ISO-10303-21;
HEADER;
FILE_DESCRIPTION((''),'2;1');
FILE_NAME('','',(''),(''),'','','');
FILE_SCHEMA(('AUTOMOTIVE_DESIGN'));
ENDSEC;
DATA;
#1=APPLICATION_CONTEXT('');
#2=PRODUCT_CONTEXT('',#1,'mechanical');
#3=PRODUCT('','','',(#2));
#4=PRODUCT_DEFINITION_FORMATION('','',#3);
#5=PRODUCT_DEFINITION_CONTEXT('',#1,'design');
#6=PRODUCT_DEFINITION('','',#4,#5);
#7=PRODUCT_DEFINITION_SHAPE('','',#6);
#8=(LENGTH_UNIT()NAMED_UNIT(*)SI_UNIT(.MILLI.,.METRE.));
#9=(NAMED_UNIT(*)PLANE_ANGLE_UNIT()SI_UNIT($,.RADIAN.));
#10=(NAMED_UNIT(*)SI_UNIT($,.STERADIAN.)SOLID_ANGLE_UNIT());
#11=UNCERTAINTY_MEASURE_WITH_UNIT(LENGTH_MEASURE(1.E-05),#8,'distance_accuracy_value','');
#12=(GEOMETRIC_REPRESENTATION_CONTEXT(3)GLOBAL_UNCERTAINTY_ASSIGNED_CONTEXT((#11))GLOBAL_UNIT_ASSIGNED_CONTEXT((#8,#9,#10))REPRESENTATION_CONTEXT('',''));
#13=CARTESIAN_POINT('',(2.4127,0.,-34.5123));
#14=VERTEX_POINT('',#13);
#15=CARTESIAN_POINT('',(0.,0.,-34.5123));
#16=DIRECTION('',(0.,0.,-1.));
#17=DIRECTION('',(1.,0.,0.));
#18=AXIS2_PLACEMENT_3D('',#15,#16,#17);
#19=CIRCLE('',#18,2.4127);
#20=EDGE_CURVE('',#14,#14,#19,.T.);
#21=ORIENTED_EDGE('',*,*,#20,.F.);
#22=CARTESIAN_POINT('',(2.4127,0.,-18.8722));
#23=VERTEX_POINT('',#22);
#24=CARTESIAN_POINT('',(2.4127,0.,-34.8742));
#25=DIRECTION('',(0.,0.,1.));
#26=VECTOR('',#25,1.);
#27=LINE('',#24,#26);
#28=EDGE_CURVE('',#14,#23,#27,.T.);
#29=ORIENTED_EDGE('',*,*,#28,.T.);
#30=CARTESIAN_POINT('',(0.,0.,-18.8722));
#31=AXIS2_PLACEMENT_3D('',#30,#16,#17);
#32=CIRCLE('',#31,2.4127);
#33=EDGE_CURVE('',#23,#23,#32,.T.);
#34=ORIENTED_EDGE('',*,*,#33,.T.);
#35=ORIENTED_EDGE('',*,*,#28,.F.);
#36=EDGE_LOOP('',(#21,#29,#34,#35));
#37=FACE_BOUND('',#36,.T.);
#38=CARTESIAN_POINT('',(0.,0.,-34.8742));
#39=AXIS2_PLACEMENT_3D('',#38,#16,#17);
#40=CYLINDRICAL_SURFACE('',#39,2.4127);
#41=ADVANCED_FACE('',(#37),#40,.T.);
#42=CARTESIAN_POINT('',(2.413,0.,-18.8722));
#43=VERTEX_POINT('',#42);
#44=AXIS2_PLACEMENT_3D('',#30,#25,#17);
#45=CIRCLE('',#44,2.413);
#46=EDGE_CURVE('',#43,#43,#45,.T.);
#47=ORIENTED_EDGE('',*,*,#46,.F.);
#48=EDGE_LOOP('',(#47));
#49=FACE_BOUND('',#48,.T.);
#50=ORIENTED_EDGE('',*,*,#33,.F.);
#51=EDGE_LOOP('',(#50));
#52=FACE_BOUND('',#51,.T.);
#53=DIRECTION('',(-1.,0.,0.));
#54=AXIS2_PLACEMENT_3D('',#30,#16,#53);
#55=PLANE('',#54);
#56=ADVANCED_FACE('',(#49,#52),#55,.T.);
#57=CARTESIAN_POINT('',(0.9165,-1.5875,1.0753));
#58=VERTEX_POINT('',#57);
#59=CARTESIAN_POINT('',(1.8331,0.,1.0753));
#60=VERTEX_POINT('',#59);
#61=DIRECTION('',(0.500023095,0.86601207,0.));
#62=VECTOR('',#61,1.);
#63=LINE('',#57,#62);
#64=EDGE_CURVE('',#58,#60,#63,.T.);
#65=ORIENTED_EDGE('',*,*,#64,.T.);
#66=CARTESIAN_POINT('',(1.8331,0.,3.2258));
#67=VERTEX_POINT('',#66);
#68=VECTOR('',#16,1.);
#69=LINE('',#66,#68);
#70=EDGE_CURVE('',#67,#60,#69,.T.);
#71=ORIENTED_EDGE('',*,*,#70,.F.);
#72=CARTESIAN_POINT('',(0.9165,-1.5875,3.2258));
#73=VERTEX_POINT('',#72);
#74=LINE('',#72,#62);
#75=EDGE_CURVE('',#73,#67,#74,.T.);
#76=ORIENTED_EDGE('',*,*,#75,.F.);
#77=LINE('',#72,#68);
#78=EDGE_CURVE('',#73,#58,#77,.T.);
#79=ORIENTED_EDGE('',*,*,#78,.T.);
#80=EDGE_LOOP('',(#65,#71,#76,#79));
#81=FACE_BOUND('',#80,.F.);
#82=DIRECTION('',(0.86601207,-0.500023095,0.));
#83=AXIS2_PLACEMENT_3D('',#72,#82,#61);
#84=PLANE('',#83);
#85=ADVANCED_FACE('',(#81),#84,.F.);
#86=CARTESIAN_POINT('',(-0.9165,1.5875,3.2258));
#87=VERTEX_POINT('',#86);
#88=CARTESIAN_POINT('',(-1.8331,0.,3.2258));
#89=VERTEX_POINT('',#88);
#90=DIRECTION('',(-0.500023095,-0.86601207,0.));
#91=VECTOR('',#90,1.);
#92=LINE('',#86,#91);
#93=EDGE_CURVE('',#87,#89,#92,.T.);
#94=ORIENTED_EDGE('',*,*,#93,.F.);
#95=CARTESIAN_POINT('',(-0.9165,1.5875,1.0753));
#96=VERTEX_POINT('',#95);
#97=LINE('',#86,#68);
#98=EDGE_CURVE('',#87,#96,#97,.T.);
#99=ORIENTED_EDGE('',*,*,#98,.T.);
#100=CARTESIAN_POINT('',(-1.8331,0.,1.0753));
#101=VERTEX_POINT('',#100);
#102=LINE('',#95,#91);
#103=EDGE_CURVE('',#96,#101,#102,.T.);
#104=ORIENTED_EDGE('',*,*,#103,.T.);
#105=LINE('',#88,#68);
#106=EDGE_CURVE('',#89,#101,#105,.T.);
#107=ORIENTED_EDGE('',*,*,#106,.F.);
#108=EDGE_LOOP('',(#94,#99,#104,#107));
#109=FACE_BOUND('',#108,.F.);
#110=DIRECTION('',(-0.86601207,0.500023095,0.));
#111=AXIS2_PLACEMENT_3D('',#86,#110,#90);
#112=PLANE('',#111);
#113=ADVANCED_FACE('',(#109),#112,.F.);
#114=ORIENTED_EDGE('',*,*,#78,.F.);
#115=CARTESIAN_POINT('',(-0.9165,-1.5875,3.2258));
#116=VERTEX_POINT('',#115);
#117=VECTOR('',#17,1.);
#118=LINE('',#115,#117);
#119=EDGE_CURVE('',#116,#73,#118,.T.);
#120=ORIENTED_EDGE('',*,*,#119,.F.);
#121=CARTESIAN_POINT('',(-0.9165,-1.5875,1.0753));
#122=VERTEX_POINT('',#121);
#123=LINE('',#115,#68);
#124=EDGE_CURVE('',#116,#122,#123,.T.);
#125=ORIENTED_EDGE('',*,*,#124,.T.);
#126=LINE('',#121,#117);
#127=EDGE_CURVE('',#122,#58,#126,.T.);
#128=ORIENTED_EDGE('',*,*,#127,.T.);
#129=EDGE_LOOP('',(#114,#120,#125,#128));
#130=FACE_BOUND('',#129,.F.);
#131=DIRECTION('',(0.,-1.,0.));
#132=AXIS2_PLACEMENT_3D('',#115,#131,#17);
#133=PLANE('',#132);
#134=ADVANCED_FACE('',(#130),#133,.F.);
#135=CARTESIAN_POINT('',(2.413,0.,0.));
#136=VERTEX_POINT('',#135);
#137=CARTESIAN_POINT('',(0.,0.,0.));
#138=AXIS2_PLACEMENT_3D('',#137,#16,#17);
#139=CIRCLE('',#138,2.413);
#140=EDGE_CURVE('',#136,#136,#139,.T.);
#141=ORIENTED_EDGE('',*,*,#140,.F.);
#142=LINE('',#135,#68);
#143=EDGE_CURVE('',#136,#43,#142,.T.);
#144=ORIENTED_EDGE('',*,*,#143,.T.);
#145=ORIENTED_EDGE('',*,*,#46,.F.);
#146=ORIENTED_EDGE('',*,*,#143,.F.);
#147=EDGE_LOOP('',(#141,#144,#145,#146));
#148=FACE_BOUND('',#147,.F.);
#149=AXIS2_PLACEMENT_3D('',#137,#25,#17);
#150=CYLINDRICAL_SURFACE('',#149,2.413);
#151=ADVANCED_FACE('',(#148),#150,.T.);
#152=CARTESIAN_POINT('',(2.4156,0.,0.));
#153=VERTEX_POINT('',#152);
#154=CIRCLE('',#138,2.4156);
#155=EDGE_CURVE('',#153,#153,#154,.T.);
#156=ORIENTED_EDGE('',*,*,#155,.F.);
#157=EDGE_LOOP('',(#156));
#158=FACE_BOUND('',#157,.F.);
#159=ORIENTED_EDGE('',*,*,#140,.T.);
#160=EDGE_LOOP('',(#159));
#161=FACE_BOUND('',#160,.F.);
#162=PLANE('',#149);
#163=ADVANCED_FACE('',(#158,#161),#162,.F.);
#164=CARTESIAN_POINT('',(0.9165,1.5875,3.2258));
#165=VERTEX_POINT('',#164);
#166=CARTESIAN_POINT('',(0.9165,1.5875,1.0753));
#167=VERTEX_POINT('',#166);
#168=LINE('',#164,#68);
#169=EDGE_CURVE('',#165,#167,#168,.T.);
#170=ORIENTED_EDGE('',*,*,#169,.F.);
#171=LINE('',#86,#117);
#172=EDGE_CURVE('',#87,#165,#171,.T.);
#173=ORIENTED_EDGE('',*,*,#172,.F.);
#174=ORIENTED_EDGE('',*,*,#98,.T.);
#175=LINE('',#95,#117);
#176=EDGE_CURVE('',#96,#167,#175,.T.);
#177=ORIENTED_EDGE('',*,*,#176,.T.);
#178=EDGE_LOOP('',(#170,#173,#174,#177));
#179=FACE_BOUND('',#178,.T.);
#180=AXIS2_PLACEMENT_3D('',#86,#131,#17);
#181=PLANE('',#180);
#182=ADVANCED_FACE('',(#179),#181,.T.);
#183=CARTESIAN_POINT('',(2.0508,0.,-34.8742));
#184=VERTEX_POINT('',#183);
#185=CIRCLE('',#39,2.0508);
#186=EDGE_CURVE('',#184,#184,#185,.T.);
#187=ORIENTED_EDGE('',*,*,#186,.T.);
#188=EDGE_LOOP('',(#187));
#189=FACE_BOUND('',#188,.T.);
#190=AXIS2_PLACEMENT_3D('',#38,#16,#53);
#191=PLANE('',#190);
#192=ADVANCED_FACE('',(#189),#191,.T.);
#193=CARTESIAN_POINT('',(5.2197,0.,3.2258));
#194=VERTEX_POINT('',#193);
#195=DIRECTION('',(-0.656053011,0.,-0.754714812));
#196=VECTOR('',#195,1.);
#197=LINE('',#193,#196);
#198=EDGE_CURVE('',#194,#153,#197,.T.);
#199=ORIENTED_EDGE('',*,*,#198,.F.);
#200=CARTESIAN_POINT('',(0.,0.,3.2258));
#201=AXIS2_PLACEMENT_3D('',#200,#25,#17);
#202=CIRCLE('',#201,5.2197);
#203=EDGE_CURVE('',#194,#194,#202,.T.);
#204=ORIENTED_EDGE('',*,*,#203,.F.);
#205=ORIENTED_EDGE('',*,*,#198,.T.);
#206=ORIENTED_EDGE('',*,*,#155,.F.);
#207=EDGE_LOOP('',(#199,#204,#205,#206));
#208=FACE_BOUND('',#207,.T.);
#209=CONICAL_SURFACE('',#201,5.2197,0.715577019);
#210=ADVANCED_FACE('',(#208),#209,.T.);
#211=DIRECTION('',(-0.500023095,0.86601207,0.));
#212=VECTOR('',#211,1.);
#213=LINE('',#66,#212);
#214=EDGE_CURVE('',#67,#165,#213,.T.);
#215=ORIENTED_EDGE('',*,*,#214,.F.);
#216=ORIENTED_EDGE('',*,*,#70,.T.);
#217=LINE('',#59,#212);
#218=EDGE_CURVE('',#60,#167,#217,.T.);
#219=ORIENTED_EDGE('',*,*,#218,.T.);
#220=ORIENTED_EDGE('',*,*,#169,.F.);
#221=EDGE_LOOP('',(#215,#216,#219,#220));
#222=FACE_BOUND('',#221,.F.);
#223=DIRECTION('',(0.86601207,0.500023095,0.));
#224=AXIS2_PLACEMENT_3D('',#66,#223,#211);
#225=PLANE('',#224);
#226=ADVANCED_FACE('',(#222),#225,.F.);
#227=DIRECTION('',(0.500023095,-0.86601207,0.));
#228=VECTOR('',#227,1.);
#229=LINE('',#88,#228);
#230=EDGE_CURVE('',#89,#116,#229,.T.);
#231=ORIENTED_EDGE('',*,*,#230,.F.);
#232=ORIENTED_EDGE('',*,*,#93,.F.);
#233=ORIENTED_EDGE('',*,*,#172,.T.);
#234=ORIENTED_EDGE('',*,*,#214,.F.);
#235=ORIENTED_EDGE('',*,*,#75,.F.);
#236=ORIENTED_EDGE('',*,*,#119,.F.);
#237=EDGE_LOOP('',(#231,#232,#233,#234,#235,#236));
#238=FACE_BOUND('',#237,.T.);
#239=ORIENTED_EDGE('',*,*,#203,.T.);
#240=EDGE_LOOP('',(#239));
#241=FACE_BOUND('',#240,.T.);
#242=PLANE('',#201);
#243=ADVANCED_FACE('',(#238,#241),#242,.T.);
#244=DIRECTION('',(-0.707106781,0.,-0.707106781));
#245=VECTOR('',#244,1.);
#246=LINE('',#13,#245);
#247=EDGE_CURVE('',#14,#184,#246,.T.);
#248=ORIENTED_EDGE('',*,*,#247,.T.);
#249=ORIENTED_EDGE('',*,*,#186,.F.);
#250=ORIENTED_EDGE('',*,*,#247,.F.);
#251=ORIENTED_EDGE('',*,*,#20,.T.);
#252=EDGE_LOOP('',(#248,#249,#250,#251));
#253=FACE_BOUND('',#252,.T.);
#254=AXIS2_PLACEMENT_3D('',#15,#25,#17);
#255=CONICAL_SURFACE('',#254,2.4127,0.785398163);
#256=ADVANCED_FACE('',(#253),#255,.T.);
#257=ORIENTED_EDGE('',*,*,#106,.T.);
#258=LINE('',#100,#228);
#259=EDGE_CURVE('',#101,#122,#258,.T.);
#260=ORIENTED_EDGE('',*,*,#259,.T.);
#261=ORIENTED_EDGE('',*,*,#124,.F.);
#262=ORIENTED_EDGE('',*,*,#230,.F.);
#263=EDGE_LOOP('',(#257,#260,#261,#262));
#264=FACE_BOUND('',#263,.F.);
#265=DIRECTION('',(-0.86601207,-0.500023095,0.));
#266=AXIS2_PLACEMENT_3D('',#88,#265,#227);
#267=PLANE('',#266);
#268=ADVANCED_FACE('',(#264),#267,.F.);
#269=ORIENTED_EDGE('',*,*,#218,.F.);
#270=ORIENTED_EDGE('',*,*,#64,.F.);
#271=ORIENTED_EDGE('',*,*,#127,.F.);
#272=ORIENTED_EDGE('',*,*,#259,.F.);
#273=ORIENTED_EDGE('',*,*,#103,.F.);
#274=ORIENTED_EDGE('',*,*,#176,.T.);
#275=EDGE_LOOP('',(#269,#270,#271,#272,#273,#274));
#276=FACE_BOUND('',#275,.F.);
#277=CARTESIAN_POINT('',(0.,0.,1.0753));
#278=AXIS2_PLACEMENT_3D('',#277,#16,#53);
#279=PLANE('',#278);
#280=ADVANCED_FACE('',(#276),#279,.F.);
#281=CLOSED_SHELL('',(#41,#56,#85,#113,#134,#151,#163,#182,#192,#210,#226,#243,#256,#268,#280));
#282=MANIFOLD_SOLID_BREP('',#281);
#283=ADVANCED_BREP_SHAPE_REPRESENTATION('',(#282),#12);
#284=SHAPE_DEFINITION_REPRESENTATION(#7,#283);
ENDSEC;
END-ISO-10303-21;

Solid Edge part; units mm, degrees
sketch "Sketch1" plane through (0, 0, 0) normal (0, 0, 1) x (1, 0, 0)
  circle A0 centre (0, 0) radius 5.2197
  dimension "D1" = 10.4394
extrude "Protrusion1" add sketch "Sketch1" along normal blind 3.2258
sketch "Sketch2" plane through (0, 0, 0) normal (0, 0, -1) x (1, 0, 0)
  circle A0 centre (0, 0) radius 2.413
extrude "Protrusion2" add sketch "Sketch2" along normal blind 34.8742
sketch "Sketch3" plane through (0, 0, -34.8742) normal (0, 0, -1) x (1, 0, 0)
  circle A0 centre (0, 0) radius 2.4127
extrude "Cutout1" cut sketch "Sketch3" against normal blind 16.002 flip side to cut
chamfer "Chamfer_1" distance 0.3619 angle 45 1 edges at (-2.4127, 0, -34.8742)
sketch "Sketch4" plane through (0, 0, 3.2258) normal (0, 0, 1) x (1, 0, 0)
  line L0 (-0.9165, 1.5875) -> (0.9165, 1.5875)
  line L1 (1.8331, 0) -> (0.9165, 1.5875)
  line L2 (0.9165, -1.5875) -> (1.8331, 0)
  line L3 (-0.9165, -1.5875) -> (0.9165, -1.5875)
  line L4 (-1.8331, 0) -> (-0.9165, -1.5875)
  line L5 (-0.9165, 1.5875) -> (-1.8331, 0)
  dimension "D1" = 3.175
extrude "Cutout2" cut sketch "Sketch4" against normal blind 2.1505
sketch "Sketch5" plane through (0, 0, 0) normal (0, -1, 0) x (1, 0, 0)
  line L0 (5.2197, 3.2258) -> (2.4156, 0)
  line L1 (2.4156, 0) -> (5.2197, 0)
  line L2 (5.2197, 0) -> (5.2197, 3.2258)
revolve "RevolvedCutout1" cut sketch "Sketch5" angle 360 about axis through (0, 0, 14.0017) along (0, 0, -1)
properties part number "24101276"
